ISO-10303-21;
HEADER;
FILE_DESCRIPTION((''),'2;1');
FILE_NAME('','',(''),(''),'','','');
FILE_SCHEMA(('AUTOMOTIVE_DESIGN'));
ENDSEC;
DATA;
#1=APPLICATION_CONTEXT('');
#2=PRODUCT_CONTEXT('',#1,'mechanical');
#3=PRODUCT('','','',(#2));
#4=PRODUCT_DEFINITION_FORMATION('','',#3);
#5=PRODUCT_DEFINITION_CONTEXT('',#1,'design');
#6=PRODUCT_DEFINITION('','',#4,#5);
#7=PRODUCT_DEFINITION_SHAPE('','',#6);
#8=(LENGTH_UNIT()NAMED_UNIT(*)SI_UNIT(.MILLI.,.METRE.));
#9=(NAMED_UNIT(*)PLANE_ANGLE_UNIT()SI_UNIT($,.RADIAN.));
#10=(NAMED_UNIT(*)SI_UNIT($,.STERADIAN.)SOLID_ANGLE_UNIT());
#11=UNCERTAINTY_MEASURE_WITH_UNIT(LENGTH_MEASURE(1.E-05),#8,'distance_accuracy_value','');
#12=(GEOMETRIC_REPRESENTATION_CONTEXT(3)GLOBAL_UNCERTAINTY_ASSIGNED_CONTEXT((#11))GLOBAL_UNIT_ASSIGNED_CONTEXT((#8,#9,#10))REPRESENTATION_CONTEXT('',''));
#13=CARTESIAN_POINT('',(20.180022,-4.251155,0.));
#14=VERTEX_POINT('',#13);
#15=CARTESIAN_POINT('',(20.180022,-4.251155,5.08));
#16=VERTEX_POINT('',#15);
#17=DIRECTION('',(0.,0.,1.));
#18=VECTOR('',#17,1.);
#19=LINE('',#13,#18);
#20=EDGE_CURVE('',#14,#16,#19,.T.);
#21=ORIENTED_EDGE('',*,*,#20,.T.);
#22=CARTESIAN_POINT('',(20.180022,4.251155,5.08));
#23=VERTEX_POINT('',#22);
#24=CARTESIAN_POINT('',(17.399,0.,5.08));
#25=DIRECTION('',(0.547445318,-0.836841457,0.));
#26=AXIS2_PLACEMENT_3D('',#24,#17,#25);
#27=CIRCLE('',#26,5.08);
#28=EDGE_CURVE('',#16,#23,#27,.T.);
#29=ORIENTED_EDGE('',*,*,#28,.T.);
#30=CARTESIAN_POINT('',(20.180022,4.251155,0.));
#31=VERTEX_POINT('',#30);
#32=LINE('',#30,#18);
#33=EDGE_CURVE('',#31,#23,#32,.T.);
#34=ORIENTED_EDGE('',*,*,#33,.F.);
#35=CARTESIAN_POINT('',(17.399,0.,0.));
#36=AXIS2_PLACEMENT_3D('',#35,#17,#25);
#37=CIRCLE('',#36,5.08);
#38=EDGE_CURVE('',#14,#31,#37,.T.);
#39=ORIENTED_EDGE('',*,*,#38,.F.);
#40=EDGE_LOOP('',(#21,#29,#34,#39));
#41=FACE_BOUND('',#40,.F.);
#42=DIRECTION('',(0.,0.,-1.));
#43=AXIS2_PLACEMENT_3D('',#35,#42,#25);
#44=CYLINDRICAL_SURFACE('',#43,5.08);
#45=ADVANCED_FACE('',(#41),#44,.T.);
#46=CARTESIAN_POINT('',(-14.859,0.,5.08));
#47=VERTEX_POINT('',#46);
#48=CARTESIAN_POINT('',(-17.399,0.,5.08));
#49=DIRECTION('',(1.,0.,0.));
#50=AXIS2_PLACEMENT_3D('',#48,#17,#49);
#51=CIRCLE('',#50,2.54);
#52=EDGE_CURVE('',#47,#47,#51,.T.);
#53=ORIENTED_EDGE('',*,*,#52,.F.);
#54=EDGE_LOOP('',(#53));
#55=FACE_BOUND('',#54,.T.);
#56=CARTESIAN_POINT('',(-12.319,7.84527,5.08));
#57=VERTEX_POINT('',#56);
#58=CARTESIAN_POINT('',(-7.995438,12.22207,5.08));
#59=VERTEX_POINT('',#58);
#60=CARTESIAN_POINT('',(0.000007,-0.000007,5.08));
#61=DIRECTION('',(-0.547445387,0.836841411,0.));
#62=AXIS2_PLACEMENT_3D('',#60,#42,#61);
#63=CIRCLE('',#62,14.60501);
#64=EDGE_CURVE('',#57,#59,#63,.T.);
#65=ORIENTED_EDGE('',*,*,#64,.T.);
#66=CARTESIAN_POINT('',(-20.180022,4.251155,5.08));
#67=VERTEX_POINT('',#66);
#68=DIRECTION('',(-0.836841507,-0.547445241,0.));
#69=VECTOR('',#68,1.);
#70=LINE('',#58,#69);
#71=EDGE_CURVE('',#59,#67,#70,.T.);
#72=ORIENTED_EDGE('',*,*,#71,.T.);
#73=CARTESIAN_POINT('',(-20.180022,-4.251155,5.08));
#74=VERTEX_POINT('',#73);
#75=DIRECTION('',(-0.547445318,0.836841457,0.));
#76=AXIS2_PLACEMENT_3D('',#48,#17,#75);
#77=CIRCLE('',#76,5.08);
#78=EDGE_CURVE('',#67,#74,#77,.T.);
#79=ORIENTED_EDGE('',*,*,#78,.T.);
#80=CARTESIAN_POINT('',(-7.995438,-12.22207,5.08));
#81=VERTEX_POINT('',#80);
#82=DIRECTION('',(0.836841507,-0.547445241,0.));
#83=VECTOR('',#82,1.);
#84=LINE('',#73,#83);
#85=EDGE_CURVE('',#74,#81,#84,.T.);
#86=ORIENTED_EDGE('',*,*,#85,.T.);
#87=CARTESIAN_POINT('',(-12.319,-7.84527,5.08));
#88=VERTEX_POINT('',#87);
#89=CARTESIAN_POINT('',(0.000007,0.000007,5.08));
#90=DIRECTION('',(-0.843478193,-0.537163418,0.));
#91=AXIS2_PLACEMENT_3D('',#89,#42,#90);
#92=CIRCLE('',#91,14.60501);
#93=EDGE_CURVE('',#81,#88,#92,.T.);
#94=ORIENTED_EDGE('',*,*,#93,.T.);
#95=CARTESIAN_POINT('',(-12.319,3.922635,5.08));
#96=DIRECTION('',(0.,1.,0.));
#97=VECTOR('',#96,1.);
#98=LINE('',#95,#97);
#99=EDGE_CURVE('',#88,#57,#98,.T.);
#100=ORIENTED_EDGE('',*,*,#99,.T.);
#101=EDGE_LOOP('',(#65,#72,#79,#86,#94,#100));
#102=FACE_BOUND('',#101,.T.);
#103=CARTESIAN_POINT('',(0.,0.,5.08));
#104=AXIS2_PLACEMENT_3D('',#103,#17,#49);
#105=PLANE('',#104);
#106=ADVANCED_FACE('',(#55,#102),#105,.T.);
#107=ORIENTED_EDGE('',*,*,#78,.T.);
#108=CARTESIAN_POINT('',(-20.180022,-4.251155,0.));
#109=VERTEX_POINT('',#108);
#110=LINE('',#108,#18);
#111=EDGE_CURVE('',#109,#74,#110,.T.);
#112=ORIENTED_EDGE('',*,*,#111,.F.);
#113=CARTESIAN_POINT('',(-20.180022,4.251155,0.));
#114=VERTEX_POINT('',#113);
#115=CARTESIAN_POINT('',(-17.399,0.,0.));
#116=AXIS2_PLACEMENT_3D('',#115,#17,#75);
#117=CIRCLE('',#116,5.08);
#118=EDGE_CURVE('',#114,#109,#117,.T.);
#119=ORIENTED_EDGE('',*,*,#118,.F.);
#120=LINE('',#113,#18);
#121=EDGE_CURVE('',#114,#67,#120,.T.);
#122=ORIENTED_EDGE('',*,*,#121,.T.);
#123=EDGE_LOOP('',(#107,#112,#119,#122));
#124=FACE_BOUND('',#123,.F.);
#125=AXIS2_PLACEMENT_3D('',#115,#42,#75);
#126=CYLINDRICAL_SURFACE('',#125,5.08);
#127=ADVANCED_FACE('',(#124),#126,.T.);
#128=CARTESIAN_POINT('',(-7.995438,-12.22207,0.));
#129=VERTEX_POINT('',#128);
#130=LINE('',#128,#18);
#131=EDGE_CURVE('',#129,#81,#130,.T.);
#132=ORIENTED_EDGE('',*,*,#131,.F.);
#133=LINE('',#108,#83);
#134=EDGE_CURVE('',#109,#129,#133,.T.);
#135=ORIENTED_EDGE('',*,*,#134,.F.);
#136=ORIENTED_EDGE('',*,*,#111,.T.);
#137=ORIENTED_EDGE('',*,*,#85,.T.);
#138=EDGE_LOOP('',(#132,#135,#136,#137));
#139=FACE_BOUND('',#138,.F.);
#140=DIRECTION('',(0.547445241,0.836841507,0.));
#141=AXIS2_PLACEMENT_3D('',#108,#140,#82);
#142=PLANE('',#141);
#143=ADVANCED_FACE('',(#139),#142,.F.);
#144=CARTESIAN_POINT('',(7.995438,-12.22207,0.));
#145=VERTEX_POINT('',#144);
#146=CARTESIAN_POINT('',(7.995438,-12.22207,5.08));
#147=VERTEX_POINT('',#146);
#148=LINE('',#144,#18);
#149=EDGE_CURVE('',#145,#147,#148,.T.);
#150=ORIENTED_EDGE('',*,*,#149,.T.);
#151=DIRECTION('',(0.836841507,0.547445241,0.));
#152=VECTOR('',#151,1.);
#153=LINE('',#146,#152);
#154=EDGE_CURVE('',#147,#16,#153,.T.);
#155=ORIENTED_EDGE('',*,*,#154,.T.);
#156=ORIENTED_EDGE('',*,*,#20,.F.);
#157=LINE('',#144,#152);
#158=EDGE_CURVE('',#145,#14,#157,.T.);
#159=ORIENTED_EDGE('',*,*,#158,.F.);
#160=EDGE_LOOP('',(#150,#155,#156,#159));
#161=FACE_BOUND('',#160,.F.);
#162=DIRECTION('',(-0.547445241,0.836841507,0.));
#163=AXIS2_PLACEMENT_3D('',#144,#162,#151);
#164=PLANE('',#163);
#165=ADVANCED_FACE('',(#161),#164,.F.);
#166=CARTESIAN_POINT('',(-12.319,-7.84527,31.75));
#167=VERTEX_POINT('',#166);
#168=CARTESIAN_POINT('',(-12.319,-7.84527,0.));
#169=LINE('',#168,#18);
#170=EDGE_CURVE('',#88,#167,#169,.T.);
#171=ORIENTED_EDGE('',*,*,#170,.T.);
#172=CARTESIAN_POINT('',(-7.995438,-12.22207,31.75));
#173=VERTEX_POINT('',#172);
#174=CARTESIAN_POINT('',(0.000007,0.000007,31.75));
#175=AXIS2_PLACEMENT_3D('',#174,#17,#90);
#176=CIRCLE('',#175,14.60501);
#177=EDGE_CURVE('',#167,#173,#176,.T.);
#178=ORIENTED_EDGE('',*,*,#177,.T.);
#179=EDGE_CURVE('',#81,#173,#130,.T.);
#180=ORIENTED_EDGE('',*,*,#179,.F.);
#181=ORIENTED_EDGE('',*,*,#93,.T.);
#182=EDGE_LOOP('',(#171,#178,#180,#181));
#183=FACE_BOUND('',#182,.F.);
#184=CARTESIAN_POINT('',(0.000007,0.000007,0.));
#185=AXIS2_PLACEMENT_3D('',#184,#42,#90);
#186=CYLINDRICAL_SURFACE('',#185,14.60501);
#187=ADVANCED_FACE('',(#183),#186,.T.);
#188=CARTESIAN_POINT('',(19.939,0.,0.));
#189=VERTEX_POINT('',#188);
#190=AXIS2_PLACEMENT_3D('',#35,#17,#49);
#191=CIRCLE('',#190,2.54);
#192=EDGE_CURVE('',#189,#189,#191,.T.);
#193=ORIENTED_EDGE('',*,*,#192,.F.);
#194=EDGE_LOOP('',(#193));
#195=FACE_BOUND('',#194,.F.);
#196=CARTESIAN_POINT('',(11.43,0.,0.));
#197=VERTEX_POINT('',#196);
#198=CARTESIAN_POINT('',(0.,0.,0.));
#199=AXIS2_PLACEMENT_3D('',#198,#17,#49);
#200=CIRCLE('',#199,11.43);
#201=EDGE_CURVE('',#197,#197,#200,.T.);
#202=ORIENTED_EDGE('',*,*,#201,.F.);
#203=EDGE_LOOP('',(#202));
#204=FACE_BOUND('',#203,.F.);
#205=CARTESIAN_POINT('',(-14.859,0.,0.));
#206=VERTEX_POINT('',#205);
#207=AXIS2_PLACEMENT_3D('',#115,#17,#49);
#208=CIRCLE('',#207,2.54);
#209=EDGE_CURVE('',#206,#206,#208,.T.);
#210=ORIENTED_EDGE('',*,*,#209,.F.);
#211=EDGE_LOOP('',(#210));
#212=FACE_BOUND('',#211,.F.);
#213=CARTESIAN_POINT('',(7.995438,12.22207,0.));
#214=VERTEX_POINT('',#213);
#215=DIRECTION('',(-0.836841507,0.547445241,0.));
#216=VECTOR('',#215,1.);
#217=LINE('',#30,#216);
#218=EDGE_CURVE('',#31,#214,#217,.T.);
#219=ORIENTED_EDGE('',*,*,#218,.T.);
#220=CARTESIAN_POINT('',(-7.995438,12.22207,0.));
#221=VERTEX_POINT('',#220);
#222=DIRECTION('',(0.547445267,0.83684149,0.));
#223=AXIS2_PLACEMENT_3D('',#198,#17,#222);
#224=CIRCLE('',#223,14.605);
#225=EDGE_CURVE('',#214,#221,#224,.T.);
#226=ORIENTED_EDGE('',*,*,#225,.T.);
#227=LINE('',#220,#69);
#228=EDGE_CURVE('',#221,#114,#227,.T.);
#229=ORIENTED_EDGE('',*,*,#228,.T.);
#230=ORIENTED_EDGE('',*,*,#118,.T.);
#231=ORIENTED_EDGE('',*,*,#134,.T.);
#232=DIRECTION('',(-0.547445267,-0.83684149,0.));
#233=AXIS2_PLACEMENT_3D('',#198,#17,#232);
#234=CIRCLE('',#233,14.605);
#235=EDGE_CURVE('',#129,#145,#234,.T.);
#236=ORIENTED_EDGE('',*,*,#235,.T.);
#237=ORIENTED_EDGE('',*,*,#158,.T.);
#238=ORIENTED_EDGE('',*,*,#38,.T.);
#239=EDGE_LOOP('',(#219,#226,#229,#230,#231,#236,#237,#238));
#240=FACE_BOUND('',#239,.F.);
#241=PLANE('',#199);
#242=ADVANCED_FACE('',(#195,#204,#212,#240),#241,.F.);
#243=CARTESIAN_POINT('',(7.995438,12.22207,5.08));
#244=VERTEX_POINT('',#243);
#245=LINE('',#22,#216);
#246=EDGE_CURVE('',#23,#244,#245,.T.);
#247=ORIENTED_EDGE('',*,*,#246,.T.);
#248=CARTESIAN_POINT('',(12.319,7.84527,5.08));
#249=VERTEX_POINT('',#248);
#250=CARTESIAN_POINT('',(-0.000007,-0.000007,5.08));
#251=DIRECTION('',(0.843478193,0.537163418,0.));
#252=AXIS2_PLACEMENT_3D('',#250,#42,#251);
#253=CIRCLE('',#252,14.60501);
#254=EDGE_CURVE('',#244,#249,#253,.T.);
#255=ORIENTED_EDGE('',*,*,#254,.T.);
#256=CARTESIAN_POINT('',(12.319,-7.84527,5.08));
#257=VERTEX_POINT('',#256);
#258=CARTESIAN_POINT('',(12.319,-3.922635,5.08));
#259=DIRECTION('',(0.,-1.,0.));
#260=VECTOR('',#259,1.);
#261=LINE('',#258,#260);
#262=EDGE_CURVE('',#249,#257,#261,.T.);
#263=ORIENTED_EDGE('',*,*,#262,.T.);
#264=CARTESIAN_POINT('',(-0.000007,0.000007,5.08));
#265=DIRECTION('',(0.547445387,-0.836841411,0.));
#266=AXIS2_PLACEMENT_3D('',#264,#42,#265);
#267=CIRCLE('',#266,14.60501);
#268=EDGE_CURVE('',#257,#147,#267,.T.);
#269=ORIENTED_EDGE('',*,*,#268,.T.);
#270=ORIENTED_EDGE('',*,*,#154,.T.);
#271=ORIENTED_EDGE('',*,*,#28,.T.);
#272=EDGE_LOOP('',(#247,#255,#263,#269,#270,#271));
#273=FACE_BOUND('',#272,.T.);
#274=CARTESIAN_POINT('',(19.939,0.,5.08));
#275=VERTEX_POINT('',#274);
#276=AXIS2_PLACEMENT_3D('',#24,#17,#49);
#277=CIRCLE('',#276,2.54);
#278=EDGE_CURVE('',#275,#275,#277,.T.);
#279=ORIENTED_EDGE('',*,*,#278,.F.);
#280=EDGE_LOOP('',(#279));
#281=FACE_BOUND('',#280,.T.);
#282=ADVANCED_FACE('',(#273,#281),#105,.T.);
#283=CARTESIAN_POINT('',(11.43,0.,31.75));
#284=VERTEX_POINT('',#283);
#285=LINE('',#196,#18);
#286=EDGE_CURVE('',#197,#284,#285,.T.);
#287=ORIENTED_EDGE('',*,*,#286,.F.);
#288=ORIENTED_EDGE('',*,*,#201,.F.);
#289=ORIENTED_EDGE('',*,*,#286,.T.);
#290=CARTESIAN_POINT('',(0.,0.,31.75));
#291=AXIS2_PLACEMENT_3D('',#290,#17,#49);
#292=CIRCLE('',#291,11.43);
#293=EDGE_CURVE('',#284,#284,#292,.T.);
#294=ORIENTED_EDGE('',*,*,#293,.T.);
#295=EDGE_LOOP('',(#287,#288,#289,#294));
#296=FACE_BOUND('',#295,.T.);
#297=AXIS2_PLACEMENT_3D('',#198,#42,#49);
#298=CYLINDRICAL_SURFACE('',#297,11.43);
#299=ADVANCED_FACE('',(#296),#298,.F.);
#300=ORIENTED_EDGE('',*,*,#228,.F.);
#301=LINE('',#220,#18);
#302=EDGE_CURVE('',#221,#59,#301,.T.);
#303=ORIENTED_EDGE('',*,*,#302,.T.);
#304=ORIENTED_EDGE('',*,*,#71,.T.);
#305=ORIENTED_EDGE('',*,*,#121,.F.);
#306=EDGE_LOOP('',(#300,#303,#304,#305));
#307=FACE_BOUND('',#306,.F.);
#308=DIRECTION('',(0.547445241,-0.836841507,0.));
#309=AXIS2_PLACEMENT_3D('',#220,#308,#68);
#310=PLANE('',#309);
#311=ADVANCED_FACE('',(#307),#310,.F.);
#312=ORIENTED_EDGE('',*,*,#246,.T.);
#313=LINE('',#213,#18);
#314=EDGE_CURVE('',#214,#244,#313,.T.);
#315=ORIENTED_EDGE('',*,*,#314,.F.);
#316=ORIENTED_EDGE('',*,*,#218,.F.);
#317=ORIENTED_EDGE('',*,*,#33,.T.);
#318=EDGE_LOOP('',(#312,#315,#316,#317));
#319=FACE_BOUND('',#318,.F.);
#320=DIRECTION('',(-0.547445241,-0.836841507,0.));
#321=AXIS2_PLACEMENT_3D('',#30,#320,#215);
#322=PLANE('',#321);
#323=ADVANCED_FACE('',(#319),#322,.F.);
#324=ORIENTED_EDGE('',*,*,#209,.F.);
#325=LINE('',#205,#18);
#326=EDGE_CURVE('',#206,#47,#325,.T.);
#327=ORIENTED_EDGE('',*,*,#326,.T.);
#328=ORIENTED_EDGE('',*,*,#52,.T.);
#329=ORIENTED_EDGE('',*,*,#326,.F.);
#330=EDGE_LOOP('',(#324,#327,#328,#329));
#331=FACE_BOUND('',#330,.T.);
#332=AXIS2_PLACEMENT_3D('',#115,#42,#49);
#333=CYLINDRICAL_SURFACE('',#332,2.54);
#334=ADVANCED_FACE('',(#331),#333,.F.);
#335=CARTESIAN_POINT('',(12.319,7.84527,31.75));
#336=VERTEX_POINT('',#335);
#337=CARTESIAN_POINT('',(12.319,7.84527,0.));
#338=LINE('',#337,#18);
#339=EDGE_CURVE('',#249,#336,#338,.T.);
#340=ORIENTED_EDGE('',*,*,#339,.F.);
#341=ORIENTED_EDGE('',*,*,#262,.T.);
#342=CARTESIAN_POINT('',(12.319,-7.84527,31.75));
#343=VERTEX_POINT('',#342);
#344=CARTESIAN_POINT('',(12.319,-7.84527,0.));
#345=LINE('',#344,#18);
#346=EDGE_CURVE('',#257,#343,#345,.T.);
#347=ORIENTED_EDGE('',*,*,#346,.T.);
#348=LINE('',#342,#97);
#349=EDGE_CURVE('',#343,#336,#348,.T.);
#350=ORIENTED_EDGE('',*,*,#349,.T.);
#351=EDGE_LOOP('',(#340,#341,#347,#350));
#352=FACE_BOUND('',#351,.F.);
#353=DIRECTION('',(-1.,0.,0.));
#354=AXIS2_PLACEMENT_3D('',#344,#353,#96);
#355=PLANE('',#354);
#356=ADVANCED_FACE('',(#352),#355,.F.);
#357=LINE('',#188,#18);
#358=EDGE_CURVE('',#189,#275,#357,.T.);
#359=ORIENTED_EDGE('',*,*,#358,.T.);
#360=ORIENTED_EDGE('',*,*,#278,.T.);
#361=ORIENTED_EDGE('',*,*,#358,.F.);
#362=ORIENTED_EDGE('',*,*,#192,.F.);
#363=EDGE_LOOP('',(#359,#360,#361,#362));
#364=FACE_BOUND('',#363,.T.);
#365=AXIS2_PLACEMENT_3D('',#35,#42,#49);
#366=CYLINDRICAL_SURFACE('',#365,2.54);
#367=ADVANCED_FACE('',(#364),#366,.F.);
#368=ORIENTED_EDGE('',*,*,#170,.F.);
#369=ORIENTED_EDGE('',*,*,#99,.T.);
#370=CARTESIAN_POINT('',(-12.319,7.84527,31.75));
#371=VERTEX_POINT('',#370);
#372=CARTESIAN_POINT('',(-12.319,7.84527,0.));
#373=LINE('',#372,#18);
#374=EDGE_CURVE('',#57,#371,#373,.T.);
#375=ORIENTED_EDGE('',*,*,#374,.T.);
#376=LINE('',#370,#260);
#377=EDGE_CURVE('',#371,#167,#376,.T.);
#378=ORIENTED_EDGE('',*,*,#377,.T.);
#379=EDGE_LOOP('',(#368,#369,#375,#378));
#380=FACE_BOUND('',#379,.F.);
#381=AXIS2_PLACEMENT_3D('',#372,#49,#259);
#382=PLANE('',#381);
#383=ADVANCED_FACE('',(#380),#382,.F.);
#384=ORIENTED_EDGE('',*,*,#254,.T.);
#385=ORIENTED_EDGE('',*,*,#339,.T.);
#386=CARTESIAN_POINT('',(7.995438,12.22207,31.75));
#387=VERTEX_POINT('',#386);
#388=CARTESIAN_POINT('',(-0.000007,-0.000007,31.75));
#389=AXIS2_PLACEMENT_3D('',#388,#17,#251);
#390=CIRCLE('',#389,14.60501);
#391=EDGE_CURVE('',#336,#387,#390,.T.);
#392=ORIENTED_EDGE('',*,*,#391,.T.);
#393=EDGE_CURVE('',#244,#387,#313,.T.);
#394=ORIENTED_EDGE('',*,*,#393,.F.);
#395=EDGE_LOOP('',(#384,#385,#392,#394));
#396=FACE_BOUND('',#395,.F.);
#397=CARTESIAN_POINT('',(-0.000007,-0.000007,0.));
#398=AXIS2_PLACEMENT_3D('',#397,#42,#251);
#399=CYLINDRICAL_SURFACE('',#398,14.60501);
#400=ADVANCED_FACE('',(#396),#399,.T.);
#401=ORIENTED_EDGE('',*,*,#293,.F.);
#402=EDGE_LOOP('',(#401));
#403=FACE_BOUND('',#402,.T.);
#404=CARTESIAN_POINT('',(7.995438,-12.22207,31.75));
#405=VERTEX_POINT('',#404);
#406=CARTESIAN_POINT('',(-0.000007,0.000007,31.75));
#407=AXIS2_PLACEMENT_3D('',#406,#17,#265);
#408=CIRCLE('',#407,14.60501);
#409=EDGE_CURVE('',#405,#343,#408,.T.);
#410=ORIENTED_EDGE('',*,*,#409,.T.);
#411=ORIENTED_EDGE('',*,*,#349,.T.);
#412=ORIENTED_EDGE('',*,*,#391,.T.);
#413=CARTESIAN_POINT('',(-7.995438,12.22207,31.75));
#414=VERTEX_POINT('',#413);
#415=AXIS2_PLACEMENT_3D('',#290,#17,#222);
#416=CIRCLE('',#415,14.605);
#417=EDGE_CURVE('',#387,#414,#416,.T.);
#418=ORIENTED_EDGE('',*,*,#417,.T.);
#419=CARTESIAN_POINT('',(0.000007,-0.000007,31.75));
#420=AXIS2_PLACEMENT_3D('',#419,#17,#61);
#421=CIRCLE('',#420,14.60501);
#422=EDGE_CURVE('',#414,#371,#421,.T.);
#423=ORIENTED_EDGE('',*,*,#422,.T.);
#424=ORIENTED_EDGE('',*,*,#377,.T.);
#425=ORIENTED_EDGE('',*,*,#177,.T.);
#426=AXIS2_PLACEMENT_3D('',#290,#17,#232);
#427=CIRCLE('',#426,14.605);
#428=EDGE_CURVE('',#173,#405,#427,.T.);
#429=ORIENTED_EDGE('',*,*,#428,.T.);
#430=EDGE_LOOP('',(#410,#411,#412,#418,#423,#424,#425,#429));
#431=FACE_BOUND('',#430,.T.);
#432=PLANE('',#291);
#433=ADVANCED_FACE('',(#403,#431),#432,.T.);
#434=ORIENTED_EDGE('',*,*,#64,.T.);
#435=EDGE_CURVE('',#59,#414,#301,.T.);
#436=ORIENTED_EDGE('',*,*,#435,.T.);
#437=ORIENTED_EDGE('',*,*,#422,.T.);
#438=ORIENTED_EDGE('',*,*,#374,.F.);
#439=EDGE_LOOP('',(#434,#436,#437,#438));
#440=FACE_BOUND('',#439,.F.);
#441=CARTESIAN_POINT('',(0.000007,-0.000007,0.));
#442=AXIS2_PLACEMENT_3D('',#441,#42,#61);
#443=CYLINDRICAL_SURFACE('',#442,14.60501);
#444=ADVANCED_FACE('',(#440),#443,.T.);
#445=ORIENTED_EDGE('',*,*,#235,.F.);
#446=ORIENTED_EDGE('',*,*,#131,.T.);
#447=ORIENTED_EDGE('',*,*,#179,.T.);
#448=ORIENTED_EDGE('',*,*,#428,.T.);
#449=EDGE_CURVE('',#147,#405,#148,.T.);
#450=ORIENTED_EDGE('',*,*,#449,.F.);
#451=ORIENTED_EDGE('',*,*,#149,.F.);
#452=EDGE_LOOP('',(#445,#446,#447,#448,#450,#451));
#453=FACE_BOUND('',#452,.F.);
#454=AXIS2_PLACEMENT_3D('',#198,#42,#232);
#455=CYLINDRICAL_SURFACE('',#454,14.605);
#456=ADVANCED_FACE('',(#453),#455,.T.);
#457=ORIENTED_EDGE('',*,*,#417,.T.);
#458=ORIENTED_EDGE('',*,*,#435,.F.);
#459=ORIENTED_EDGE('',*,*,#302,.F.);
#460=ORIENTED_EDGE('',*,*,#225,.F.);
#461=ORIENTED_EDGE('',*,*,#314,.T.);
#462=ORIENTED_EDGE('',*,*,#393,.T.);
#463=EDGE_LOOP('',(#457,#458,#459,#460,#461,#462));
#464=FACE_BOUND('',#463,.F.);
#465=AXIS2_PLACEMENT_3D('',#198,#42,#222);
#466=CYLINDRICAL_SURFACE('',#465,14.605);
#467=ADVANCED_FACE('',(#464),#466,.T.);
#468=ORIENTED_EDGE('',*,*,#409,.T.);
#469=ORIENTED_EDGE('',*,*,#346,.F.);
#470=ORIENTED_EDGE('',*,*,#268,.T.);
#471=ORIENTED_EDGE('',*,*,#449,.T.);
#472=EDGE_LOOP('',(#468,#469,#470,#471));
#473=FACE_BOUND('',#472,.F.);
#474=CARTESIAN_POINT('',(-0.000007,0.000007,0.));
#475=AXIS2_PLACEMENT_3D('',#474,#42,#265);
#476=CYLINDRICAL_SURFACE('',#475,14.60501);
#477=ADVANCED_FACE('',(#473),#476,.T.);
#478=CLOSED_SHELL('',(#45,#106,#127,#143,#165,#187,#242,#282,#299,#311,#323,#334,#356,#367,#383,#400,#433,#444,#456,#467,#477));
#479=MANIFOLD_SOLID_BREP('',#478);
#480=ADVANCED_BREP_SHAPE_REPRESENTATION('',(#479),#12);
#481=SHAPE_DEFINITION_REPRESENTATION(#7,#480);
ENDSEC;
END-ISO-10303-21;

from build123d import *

# Parameters (mm, degrees)
F0_R     = 11.43
F0_R_2   = 2.54
F2_DEPTH = 5.08
F1_R     = 11.43
F3_DEPTH = 31.75


with BuildPart() as f2:
    # F0 (on Top) → F2 (new body)
    with BuildSketch(Plane.XY):
        with BuildLine():
            Line((12.319, 0), (12.319, 7.84527))
            ThreePointArc((12.319, 7.84527), (10.390293, 10.263909), (7.995438, 12.22207))
            ThreePointArc((7.995438, 12.22207), (0, 14.605), (-7.995438, 12.22207))
            ThreePointArc((-7.995438, 12.22207), (-10.390293, 10.263909), (-12.319, 7.84527))
            Line((-12.319, 7.84527), (-12.319, 0))
            Line((-12.319, 0), (-12.319, -7.84527))
            ThreePointArc((-12.319, -7.84527), (-10.390293, -10.263909), (-7.995438, -12.22207))
            ThreePointArc((-7.995438, -12.22207), (0, -14.605), (7.995438, -12.22207))
            ThreePointArc((7.995438, -12.22207), (10.390293, -10.263909), (12.319, -7.84527))
            Line((12.319, -7.84527), (12.319, 0))
        make_face()
        Circle(F0_R, mode=Mode.SUBTRACT)
        with BuildLine():
            ThreePointArc((7.995438, 12.22207), (10.390293, 10.263909), (12.319, 7.84527))
            Line((12.319, 7.84527), (12.319, 0))
            Line((12.319, 0), (12.319, -7.84527))
            ThreePointArc((12.319, -7.84527), (10.390293, -10.263909), (7.995438, -12.22207))
            Line((7.995438, -12.22207), (20.180022, -4.251155))
            ThreePointArc((20.180022, -4.251155), (22.479, 0), (20.180022, 4.251155))
            Line((20.180022, 4.251155), (7.995438, 12.22207))
        make_face()
        with Locations((17.399, 0)):
            Circle(F0_R_2, mode=Mode.SUBTRACT)
        with BuildLine():
            ThreePointArc((-12.319, 7.84527), (-10.390293, 10.263909), (-7.995438, 12.22207))
            Line((-7.995438, 12.22207), (-20.180022, 4.251155))
            ThreePointArc((-20.180022, 4.251155), (-22.479, 0), (-20.180022, -4.251155))
            Line((-20.180022, -4.251155), (-7.995438, -12.22207))
            ThreePointArc((-7.995438, -12.22207), (-10.390293, -10.263909), (-12.319, -7.84527))
            Line((-12.319, -7.84527), (-12.319, 0))
            Line((-12.319, 0), (-12.319, 7.84527))
        make_face()
        with Locations((-17.399, 0)):
            Circle(F0_R_2, mode=Mode.SUBTRACT)
    extrude(amount=F2_DEPTH)

    # F1 (on face) → F3 (join)
    with BuildSketch(Plane.XY):
        with BuildLine():
            Line((12.319, -7.84527), (12.319, 0))
            Line((12.319, 0), (12.319, 7.84527))
            ThreePointArc((12.319, 7.84527), (10.390293, 10.263909), (7.995438, 12.22207))
            ThreePointArc((7.995438, 12.22207), (0, 14.605), (-7.995438, 12.22207))
            ThreePointArc((-7.995438, 12.22207), (-10.390293, 10.263909), (-12.319, 7.84527))
            Line((-12.319, 7.84527), (-12.319, 0))
            Line((-12.319, 0), (-12.319, -7.84527))
            ThreePointArc((-12.319, -7.84527), (-10.390293, -10.263909), (-7.995438, -12.22207))
            ThreePointArc((-7.995438, -12.22207), (0, -14.605), (7.995438, -12.22207))
            ThreePointArc((7.995438, -12.22207), (10.390293, -10.263909), (12.319, -7.84527))
        make_face()
        Circle(F1_R, mode=Mode.SUBTRACT)
    extrude(amount=F3_DEPTH)


solid = f2.part
